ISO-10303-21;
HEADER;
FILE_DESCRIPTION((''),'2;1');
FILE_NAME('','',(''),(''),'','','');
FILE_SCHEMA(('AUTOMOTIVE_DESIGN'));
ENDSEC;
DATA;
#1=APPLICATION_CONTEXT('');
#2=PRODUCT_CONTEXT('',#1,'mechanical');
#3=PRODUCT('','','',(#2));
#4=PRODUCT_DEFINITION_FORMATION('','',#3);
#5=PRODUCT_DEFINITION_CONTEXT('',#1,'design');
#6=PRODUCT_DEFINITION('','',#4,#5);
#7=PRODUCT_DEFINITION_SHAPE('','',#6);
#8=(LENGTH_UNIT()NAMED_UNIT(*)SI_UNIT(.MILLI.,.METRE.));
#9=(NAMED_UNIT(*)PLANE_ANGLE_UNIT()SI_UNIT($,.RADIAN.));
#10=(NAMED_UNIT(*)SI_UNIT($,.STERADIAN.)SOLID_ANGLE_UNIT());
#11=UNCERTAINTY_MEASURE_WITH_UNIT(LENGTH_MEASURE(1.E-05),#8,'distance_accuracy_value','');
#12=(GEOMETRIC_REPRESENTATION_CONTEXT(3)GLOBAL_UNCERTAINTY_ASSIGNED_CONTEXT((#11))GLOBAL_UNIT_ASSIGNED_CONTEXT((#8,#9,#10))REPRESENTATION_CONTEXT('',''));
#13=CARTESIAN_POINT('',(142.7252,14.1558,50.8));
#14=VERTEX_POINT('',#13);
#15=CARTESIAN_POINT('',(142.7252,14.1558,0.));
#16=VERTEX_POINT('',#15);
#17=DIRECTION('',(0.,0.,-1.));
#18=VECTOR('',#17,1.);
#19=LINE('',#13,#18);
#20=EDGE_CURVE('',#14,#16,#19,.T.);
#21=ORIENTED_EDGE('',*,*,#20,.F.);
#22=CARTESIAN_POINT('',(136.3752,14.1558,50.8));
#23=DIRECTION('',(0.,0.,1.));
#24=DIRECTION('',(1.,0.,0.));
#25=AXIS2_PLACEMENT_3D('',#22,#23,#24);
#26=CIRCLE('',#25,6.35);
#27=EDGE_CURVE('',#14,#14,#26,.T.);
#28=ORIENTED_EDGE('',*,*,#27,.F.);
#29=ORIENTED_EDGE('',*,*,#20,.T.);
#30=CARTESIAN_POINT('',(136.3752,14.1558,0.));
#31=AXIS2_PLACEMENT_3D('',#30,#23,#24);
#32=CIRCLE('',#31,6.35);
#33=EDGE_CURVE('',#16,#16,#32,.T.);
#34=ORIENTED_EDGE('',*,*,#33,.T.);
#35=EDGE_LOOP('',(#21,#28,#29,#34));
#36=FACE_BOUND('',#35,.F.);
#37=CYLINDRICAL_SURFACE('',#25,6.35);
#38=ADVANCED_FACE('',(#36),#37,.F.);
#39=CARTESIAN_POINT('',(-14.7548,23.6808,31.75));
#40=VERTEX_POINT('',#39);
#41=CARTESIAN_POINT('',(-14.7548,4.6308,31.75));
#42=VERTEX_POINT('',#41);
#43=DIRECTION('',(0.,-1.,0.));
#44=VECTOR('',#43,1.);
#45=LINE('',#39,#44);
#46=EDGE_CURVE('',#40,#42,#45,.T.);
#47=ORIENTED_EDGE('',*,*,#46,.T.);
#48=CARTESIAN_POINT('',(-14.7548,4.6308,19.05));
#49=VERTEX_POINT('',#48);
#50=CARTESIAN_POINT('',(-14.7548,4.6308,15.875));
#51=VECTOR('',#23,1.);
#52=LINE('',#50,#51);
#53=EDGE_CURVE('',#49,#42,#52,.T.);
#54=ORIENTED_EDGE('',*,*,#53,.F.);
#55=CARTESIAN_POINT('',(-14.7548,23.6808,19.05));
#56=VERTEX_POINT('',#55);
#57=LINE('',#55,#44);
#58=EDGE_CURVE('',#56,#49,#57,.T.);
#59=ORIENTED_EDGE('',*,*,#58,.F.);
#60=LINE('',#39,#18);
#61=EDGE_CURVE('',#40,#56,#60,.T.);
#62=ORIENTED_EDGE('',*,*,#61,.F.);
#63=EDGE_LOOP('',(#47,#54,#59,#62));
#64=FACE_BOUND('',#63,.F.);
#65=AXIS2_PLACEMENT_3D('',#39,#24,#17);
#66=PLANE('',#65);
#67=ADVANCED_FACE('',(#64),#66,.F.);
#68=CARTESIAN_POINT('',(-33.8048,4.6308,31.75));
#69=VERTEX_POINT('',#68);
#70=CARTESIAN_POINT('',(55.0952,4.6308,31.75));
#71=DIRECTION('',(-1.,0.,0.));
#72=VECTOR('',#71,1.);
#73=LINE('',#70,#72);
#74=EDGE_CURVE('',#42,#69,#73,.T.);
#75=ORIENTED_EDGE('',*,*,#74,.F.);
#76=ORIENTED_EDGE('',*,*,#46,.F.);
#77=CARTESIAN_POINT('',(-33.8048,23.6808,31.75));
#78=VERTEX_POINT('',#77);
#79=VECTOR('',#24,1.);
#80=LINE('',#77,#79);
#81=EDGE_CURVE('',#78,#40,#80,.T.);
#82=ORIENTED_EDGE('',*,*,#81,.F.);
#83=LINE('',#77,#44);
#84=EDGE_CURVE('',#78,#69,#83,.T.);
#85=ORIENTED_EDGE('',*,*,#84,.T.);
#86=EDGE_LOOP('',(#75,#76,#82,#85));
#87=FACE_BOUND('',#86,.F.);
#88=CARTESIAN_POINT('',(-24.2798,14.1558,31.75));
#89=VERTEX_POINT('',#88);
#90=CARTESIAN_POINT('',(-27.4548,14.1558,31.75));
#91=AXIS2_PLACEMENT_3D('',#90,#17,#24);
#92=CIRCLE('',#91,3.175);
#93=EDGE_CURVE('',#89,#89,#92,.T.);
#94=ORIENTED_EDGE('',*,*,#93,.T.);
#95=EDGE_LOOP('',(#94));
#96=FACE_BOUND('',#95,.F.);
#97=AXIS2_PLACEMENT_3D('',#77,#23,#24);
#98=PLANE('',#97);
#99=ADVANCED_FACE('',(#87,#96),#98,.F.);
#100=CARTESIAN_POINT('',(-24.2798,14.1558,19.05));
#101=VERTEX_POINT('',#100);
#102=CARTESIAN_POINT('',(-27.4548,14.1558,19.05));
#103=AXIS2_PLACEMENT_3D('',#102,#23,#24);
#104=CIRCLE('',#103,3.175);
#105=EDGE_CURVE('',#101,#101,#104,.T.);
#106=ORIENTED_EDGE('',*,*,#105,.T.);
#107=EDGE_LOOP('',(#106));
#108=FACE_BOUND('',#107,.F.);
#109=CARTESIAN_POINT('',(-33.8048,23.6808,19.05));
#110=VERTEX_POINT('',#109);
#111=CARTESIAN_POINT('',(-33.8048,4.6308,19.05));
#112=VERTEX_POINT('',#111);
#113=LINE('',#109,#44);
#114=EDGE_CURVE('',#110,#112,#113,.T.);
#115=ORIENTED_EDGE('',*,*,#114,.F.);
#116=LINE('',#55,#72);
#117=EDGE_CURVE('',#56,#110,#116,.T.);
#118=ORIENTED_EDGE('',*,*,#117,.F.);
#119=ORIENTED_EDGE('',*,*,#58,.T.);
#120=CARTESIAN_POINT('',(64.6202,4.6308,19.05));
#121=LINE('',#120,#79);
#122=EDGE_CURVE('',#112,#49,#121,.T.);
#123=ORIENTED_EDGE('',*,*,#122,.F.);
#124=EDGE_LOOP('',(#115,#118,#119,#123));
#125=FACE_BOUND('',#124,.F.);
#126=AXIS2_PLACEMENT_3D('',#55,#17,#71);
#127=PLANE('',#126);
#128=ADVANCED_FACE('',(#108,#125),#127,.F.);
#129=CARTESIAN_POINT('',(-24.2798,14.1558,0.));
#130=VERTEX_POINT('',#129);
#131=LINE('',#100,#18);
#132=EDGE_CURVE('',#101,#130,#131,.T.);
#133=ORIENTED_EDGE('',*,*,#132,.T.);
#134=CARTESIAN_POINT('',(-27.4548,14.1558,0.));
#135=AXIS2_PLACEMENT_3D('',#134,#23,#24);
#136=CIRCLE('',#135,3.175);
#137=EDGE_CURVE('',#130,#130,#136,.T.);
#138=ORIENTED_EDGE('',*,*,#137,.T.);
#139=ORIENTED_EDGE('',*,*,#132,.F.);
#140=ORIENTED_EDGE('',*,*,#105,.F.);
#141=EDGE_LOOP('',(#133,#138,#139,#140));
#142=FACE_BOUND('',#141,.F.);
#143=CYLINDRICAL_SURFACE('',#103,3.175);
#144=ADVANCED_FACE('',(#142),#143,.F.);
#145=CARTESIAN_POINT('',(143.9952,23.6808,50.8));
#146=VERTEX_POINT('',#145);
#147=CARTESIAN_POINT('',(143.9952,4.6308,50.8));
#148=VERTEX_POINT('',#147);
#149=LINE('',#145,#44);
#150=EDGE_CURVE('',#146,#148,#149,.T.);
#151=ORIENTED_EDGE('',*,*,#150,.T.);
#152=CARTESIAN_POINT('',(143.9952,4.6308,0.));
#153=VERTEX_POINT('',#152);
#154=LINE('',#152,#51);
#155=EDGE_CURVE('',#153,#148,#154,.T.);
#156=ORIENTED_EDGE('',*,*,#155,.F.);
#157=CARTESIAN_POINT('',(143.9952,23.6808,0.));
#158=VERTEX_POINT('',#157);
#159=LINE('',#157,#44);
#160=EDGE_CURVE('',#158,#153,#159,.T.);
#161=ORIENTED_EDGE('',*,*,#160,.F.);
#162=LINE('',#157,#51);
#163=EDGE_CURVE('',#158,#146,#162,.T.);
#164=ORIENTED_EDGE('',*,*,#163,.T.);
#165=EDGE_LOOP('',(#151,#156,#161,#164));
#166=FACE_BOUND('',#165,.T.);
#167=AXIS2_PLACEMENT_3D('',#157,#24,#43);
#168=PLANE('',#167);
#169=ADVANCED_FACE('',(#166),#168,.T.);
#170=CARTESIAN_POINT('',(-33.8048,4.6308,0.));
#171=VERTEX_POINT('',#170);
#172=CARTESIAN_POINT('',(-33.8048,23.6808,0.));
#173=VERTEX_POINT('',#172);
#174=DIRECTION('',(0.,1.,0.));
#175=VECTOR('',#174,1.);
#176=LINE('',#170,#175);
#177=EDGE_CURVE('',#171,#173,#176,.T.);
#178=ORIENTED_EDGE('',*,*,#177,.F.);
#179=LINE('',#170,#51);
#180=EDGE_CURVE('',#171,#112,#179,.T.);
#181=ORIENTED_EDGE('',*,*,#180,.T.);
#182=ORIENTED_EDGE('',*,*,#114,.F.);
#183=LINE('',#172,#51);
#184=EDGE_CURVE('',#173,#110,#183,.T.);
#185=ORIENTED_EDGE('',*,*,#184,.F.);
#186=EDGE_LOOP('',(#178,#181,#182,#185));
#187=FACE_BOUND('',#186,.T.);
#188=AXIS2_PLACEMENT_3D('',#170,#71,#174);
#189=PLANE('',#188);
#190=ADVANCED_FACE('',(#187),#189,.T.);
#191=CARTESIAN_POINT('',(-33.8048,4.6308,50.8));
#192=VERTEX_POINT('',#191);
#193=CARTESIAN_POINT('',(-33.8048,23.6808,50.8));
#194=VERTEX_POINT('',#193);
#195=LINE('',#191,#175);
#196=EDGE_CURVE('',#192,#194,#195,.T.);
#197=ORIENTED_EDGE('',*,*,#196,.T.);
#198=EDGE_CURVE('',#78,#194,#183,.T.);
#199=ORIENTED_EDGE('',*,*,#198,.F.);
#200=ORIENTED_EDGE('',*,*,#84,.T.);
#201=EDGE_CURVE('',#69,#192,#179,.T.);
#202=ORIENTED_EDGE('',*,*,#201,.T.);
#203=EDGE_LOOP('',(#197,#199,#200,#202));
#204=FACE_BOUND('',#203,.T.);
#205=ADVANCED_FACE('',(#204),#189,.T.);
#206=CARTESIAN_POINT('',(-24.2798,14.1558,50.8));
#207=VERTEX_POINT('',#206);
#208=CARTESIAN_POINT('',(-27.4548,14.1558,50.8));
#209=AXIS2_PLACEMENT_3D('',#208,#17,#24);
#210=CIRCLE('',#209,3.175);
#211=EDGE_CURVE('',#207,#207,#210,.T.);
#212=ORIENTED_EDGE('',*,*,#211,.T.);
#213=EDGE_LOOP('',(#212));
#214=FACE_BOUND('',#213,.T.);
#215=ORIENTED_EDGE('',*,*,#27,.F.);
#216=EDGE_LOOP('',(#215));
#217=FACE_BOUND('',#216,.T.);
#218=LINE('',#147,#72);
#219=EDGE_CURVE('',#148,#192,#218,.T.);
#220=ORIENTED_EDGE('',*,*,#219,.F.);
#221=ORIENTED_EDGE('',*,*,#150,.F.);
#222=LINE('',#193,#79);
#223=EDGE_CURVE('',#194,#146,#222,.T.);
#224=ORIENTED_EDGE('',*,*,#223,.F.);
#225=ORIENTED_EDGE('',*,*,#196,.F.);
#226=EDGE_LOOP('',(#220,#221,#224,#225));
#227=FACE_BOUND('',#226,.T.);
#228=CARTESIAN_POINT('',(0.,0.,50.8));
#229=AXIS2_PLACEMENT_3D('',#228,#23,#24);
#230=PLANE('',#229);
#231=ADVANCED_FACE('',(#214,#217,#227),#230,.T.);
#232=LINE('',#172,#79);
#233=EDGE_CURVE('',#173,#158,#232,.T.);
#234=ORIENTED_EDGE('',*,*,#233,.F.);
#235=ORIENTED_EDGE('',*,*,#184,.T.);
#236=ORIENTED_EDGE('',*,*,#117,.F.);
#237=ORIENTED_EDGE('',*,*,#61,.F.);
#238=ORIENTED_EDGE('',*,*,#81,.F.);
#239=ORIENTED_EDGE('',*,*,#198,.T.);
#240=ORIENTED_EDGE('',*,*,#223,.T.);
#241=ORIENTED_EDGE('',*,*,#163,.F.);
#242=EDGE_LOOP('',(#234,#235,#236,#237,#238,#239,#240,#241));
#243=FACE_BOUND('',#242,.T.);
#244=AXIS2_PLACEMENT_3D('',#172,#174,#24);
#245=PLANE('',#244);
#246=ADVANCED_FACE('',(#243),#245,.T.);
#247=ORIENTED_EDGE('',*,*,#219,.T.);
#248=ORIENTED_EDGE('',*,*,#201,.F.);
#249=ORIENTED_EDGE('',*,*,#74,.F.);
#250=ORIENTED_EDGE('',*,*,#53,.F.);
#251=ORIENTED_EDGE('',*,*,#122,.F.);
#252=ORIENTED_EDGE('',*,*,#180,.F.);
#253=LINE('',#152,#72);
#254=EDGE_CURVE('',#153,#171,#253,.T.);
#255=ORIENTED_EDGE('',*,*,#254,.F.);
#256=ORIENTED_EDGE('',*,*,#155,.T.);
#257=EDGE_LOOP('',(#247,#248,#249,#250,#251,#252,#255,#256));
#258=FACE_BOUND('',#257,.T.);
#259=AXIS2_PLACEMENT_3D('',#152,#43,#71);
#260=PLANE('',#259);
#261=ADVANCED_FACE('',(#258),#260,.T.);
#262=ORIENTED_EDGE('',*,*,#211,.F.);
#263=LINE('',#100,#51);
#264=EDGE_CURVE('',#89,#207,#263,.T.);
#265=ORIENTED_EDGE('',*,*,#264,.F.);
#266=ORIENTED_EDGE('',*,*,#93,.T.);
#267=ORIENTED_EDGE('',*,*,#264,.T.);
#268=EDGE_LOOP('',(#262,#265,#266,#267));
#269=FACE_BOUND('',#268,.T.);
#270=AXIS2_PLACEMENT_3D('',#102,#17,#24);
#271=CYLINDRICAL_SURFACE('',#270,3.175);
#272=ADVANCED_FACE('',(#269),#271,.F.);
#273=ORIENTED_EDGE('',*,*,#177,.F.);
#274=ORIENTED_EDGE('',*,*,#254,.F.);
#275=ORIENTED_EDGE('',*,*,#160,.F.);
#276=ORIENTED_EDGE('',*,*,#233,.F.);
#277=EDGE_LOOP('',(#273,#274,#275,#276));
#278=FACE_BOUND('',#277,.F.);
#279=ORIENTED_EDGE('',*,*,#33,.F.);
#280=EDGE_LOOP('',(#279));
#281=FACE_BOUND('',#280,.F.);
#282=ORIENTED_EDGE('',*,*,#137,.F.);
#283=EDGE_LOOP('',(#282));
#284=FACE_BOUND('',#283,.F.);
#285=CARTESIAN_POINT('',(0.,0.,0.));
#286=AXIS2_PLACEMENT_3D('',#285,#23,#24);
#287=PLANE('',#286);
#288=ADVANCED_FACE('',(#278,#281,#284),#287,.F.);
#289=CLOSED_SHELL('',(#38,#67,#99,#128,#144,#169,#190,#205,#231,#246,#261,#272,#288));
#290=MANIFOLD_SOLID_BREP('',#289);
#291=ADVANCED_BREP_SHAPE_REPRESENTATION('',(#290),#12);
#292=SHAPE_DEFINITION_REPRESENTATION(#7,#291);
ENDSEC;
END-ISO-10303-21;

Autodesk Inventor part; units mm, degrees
ref_plane "YZ Plane" through (0, 0, 0) normal (1, 0, 0) x (0, 1, 0)
ref_plane "XZ Plane" through (0, 0, 0) normal (0, 1, 0) x (-1, 0, 0)
ref_plane "XY Plane" through (0, 0, 0) normal (0, 0, 1) x (1, 0, 0)
sketch "Sketch1" plane through (0, 0, 0) normal (0, 0, 1) x (1, 0, 0)
  line L0 (-33.8048, 23.6808) -> (143.9952, 23.6808)
  line L1 (143.9952, 23.6808) -> (143.9952, 4.6308)
  line L2 (143.9952, 4.6308) -> (-33.8048, 4.6308)
  line L3 (-33.8048, 4.6308) -> (-33.8048, 23.6808)
  point P0 (0, 0)
  dimension "d0" = 177.8
  dimension "d1" = 19.05
extrude "Extrusion1" add sketch "Sketch1" along normal blind 50.8
sketch "Sketch2" plane through (0, 0, 50.8) normal (0, 0, 1) x (1, 0, 0)
  circle A0 centre (136.3752, 14.1558) radius 6.35
  line L0 (143.9952, 4.6308) -> (143.9952, 23.6808) projected
  line L1 (-33.8048, 4.6308) -> (143.9952, 4.6308) projected
  point P0 (0, 0)
  dimension "d4" = 12.7
  dimension "d5" = 7.62
  dimension "d6" = 9.525
extrude "Extrusion2" cut sketch "Sketch2" against normal blind 50.8
sketch "Sketch3" plane through (-33.8048, 23.6808, 0) normal (0, 1, 0) x (1, 0, 0)
  line L0 (0, 0) -> (0, -50.8) projected
  line L1 (0, -31.75) -> (19.05, -31.75)
  line L2 (19.05, -31.75) -> (19.05, -19.05)
  line L3 (19.05, -19.05) -> (0, -19.05)
  line L4 (0, -19.05) -> (0, -31.75)
  line L5 (177.8, 0) -> (0, 0) projected
  point P0 (33.8048, 0)
  point P1 (0, -19.05)
  dimension "d9" = 19.05
  dimension "d10" = 12.7
  dimension "d11" = 19.05
extrude "Extrusion3" cut sketch "Sketch3" against normal blind 50.8
sketch "Sketch4" plane through (-33.8048, 23.6808, 19.05) normal (0, 0, 1) x (1, 0, 0)
  circle A0 centre (6.35, -9.525) radius 3.175
  line L0 (19.05, 0) -> (19.05, -19.05) projected
  line L1 (0, -19.05) -> (177.8, -19.05) projected
  point P0 (33.8048, -23.6808)
  dimension "d14" = 6.35
  dimension "d15" = 12.7
  dimension "d16" = 9.525
extrude "Extrusion4" cut sketch "Sketch4" along normal mid plane 127
properties part number "Ramp Base"
